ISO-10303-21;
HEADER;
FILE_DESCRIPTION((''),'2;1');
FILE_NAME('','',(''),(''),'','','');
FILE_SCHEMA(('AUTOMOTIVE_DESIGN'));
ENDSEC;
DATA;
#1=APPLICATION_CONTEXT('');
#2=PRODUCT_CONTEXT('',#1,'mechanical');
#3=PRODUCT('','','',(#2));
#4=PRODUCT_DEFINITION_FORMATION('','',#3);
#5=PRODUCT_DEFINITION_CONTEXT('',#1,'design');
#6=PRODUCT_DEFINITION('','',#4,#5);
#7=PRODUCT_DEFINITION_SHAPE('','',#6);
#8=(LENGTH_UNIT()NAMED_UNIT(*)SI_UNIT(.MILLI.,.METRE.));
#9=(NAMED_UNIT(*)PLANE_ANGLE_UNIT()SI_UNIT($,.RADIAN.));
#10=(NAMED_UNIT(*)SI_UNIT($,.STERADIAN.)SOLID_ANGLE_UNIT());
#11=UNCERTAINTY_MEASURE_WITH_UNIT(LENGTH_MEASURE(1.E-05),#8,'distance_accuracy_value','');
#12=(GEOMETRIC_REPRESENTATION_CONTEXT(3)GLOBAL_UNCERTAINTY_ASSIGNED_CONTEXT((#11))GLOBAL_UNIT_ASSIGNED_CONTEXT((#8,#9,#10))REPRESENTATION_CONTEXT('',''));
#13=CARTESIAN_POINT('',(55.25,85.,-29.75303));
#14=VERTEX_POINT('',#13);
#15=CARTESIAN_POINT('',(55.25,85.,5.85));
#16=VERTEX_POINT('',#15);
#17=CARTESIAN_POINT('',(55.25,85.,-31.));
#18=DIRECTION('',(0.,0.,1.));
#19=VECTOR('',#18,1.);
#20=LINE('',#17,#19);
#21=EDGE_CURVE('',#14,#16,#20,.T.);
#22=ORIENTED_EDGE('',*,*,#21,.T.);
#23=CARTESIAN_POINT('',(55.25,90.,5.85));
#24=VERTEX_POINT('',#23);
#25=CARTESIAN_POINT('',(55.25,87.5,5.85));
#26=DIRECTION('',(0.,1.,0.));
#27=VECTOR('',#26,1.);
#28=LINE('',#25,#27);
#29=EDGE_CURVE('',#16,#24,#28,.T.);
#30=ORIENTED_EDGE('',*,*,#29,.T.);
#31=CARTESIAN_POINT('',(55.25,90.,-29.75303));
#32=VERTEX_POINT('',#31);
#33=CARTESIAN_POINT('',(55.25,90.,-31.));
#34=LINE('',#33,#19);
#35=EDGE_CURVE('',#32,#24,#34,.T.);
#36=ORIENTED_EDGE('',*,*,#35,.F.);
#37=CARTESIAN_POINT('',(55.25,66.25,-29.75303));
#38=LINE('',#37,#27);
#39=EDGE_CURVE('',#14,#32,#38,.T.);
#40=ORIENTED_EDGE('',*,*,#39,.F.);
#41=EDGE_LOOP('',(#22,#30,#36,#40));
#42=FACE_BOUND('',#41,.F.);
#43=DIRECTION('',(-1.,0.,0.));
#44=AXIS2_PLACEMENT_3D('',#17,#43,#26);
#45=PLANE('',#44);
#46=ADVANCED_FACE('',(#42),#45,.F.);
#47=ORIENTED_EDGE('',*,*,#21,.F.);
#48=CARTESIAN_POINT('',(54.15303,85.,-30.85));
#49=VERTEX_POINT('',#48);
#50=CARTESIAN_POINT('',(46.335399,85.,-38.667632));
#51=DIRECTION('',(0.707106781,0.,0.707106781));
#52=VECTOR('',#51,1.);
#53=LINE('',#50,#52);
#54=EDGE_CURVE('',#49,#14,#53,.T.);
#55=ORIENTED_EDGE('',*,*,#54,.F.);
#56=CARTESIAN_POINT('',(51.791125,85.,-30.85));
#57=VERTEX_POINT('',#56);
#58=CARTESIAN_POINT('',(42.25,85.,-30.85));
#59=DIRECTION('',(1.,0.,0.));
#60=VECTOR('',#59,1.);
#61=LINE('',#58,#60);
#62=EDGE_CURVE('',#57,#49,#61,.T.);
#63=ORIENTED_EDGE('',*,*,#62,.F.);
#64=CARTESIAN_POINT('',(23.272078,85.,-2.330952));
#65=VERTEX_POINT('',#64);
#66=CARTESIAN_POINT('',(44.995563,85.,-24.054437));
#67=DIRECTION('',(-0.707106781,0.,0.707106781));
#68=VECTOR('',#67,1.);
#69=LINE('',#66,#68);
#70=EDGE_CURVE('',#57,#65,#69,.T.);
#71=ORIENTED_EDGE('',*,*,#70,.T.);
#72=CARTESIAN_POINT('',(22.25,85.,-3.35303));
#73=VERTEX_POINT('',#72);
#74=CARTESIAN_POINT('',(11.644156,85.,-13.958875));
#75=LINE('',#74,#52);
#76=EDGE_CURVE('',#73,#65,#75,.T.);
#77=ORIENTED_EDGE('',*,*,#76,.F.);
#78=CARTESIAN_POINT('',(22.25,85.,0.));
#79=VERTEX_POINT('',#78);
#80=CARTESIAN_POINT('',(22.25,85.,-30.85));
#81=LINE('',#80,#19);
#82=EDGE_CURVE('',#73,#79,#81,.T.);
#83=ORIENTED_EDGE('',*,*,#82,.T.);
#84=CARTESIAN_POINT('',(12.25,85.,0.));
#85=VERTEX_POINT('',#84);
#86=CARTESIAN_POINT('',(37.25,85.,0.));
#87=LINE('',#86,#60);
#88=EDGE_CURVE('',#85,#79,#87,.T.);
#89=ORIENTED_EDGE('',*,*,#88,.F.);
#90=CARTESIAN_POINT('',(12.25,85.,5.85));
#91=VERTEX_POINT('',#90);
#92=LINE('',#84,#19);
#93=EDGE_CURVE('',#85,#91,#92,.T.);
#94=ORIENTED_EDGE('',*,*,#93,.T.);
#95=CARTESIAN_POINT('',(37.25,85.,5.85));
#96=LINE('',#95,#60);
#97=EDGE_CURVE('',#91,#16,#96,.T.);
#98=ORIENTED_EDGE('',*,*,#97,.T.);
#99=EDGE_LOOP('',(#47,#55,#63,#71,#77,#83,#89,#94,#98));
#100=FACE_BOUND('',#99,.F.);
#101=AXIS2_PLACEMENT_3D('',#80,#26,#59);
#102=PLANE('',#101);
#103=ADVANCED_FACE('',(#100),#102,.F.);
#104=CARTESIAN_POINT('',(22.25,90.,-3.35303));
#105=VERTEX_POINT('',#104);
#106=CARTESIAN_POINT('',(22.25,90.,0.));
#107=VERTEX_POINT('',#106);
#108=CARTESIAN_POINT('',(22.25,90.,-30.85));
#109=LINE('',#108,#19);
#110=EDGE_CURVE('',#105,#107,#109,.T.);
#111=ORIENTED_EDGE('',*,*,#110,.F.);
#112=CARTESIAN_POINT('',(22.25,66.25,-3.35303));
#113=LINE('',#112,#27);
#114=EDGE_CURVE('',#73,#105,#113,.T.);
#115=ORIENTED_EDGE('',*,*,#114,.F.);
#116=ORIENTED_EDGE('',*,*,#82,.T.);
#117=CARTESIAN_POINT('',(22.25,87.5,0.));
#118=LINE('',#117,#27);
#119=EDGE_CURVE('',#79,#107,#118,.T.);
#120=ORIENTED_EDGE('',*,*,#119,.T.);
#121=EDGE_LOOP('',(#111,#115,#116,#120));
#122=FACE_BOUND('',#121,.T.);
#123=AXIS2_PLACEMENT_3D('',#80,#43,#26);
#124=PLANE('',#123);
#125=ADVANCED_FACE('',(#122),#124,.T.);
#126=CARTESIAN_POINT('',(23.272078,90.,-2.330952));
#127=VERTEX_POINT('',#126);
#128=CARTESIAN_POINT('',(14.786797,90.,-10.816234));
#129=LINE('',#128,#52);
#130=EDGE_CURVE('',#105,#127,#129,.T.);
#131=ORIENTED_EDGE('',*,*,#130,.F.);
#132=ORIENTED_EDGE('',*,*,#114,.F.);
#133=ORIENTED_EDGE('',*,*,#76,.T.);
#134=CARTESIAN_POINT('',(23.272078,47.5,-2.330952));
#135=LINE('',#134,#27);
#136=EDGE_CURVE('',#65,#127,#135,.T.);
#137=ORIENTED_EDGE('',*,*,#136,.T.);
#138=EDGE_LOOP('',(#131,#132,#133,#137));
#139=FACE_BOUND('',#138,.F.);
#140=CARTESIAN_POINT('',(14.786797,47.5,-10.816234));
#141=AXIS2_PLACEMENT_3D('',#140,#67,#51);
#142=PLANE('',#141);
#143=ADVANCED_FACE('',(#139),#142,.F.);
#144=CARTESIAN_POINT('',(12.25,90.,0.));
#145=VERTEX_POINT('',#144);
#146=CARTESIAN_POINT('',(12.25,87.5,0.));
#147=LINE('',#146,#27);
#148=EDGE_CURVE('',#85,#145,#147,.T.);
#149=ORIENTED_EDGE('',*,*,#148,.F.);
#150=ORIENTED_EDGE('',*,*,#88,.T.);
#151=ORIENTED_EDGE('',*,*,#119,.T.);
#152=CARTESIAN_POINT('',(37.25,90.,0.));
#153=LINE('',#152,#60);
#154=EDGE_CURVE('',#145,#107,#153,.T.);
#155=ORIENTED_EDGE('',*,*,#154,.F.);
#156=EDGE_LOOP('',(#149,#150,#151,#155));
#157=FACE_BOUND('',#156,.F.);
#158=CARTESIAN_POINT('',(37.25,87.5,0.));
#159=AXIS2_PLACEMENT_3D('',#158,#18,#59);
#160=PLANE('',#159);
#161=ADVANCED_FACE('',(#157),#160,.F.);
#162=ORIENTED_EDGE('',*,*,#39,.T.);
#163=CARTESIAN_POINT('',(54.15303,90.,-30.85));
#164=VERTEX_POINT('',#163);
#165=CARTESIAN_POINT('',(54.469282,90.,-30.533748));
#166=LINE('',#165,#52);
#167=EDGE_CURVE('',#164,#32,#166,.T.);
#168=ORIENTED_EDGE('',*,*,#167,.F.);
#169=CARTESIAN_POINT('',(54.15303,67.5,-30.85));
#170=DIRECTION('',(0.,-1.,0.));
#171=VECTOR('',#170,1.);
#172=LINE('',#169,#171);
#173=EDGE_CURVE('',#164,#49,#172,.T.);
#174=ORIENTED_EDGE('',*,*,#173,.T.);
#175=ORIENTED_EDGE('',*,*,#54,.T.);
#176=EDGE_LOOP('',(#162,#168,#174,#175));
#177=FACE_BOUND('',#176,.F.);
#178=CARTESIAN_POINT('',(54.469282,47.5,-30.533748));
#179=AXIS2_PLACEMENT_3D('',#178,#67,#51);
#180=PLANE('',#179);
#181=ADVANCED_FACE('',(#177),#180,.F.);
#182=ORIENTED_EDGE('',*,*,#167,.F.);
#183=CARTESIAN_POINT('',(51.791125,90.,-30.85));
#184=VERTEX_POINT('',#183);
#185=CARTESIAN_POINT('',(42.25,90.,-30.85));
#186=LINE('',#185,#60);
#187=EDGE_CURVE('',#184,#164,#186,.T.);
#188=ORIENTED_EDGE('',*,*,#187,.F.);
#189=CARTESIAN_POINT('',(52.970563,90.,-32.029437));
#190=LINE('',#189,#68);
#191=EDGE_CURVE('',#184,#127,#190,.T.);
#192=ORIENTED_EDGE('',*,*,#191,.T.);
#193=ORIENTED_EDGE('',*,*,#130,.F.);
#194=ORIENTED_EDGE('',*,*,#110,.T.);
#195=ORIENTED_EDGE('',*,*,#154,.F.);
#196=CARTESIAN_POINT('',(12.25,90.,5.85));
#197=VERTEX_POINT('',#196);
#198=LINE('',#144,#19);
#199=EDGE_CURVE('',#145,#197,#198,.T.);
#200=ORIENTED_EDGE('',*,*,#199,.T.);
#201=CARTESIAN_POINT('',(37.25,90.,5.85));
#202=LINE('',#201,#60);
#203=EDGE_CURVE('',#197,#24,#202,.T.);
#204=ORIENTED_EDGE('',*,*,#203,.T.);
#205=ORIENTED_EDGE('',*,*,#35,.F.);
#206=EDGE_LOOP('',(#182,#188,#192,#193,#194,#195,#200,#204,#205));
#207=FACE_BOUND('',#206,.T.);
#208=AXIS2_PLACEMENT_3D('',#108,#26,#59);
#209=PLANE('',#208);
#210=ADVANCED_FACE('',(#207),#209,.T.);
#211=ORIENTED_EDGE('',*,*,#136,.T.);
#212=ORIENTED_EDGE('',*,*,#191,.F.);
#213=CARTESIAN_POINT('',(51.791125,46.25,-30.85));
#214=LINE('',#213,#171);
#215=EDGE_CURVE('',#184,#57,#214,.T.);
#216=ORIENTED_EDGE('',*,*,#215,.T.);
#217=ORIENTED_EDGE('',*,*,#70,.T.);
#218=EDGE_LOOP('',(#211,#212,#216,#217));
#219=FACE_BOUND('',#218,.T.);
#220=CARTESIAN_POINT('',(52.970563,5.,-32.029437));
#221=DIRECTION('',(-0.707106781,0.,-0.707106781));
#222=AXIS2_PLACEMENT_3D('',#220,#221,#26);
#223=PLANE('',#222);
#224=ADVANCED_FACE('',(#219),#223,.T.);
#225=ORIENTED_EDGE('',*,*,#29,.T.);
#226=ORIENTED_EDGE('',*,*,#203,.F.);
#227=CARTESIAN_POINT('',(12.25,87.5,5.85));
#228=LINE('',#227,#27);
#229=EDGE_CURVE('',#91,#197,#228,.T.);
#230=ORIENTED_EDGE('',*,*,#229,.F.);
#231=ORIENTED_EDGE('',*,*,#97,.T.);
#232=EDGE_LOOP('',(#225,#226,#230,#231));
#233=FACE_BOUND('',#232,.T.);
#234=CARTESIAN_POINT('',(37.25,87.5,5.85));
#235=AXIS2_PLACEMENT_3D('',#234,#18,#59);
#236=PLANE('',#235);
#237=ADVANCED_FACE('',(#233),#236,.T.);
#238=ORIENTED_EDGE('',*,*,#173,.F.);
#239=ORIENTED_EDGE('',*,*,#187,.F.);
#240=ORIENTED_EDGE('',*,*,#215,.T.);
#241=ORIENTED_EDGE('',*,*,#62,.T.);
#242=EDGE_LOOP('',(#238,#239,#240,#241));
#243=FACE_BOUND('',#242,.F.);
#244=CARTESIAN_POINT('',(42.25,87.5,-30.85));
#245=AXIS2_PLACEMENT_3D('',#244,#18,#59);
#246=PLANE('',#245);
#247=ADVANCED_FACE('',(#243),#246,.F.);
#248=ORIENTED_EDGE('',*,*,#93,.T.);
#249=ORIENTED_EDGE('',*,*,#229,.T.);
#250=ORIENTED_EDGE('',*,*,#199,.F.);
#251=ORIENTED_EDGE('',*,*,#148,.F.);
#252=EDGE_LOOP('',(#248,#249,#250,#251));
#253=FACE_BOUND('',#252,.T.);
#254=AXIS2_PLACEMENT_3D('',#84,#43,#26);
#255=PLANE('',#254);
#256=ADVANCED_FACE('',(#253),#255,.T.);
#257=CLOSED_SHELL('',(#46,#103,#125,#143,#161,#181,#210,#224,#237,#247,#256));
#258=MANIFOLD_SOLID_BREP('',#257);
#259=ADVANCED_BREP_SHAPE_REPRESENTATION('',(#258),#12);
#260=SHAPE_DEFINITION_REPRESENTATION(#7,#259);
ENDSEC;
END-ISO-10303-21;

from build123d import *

# Parameters (mm, degrees)
BOX009_W               = 5
BOX009_H               = 85
BOX009_DEPTH           = 42
BOX009_PLACEMENT_ANGLE = 315
BOX008_W               = 7
BOX008_H               = 5
BOX008_DEPTH           = 36.85
BOX005_W               = 24
BOX005_H               = 85
BOX005_DEPTH           = 42
BOX005_PLACEMENT_ANGLE = 315
BOX003_W               = 40
BOX003_H               = 5
BOX003_DEPTH           = 30.85
BOX001_W               = 50
BOX001_H               = 5
BOX001_DEPTH           = 5.85


with BuildPart() as cube009:
    # Box009 → Box009 (new body)
    with BuildSketch(Plane.XY):
        with Locations((2.5, 42.5)):
            Rectangle(BOX009_W, BOX009_H)
    extrude(amount=BOX009_DEPTH)


with BuildPart() as cube009_1:
    # Box009 placement: moved
    add(cube009.part.moved(Location((82.4, 5, -62))).rotate(Axis((82.4, 5, -62), (0, 1, 0)), BOX009_PLACEMENT_ANGLE))


with BuildPart() as cube008:
    # Box008 → Box008 (new body)
    with BuildSketch(Plane(origin=(55.25, 85, -31), x_dir=(1, 0, 0), z_dir=(0, 0, 1))):
        with Locations((3.5, 2.5)):
            Rectangle(BOX008_W, BOX008_H)
    extrude(amount=BOX008_DEPTH)


with BuildPart() as cube005:
    # Box005 → Box005 (new body)
    with BuildSketch(Plane.XY):
        with Locations((12, 42.5)):
            Rectangle(BOX005_W, BOX005_H)
    extrude(amount=BOX005_DEPTH)


with BuildPart() as cube005_1:
    # Box005 placement: moved
    add(cube005.part.moved(Location((36, 5, -49))).rotate(Axis((36, 5, -49), (0, 1, 0)), BOX005_PLACEMENT_ANGLE))


with BuildPart() as cut001:
    # Box003 → Box003 (new body)
    with BuildSketch(Plane(origin=(22.25, 85, -30.85), x_dir=(1, 0, 0), z_dir=(0, 0, 1))):
        with Locations((20, 2.5)):
            Rectangle(BOX003_W, BOX003_H)
    extrude(amount=BOX003_DEPTH)

    # Cut001: cut Cube005
    add(cube005_1.part, mode=Mode.SUBTRACT)


with BuildPart() as cut004:
    # Box001 → Box001 (new body)
    with BuildSketch(Plane(origin=(12.25, 85, 0), x_dir=(1, 0, 0), z_dir=(0, 0, 1))):
        with Locations((25, 2.5)):
            Rectangle(BOX001_W, BOX001_H)
    extrude(amount=BOX001_DEPTH)

    # Fusion001: union Cut001
    add(cut001.part)

    # Cut003: cut Cube008
    add(cube008.part, mode=Mode.SUBTRACT)

    # Cut004: cut Cube009
    add(cube009_1.part, mode=Mode.SUBTRACT)


solid = cut004.part
